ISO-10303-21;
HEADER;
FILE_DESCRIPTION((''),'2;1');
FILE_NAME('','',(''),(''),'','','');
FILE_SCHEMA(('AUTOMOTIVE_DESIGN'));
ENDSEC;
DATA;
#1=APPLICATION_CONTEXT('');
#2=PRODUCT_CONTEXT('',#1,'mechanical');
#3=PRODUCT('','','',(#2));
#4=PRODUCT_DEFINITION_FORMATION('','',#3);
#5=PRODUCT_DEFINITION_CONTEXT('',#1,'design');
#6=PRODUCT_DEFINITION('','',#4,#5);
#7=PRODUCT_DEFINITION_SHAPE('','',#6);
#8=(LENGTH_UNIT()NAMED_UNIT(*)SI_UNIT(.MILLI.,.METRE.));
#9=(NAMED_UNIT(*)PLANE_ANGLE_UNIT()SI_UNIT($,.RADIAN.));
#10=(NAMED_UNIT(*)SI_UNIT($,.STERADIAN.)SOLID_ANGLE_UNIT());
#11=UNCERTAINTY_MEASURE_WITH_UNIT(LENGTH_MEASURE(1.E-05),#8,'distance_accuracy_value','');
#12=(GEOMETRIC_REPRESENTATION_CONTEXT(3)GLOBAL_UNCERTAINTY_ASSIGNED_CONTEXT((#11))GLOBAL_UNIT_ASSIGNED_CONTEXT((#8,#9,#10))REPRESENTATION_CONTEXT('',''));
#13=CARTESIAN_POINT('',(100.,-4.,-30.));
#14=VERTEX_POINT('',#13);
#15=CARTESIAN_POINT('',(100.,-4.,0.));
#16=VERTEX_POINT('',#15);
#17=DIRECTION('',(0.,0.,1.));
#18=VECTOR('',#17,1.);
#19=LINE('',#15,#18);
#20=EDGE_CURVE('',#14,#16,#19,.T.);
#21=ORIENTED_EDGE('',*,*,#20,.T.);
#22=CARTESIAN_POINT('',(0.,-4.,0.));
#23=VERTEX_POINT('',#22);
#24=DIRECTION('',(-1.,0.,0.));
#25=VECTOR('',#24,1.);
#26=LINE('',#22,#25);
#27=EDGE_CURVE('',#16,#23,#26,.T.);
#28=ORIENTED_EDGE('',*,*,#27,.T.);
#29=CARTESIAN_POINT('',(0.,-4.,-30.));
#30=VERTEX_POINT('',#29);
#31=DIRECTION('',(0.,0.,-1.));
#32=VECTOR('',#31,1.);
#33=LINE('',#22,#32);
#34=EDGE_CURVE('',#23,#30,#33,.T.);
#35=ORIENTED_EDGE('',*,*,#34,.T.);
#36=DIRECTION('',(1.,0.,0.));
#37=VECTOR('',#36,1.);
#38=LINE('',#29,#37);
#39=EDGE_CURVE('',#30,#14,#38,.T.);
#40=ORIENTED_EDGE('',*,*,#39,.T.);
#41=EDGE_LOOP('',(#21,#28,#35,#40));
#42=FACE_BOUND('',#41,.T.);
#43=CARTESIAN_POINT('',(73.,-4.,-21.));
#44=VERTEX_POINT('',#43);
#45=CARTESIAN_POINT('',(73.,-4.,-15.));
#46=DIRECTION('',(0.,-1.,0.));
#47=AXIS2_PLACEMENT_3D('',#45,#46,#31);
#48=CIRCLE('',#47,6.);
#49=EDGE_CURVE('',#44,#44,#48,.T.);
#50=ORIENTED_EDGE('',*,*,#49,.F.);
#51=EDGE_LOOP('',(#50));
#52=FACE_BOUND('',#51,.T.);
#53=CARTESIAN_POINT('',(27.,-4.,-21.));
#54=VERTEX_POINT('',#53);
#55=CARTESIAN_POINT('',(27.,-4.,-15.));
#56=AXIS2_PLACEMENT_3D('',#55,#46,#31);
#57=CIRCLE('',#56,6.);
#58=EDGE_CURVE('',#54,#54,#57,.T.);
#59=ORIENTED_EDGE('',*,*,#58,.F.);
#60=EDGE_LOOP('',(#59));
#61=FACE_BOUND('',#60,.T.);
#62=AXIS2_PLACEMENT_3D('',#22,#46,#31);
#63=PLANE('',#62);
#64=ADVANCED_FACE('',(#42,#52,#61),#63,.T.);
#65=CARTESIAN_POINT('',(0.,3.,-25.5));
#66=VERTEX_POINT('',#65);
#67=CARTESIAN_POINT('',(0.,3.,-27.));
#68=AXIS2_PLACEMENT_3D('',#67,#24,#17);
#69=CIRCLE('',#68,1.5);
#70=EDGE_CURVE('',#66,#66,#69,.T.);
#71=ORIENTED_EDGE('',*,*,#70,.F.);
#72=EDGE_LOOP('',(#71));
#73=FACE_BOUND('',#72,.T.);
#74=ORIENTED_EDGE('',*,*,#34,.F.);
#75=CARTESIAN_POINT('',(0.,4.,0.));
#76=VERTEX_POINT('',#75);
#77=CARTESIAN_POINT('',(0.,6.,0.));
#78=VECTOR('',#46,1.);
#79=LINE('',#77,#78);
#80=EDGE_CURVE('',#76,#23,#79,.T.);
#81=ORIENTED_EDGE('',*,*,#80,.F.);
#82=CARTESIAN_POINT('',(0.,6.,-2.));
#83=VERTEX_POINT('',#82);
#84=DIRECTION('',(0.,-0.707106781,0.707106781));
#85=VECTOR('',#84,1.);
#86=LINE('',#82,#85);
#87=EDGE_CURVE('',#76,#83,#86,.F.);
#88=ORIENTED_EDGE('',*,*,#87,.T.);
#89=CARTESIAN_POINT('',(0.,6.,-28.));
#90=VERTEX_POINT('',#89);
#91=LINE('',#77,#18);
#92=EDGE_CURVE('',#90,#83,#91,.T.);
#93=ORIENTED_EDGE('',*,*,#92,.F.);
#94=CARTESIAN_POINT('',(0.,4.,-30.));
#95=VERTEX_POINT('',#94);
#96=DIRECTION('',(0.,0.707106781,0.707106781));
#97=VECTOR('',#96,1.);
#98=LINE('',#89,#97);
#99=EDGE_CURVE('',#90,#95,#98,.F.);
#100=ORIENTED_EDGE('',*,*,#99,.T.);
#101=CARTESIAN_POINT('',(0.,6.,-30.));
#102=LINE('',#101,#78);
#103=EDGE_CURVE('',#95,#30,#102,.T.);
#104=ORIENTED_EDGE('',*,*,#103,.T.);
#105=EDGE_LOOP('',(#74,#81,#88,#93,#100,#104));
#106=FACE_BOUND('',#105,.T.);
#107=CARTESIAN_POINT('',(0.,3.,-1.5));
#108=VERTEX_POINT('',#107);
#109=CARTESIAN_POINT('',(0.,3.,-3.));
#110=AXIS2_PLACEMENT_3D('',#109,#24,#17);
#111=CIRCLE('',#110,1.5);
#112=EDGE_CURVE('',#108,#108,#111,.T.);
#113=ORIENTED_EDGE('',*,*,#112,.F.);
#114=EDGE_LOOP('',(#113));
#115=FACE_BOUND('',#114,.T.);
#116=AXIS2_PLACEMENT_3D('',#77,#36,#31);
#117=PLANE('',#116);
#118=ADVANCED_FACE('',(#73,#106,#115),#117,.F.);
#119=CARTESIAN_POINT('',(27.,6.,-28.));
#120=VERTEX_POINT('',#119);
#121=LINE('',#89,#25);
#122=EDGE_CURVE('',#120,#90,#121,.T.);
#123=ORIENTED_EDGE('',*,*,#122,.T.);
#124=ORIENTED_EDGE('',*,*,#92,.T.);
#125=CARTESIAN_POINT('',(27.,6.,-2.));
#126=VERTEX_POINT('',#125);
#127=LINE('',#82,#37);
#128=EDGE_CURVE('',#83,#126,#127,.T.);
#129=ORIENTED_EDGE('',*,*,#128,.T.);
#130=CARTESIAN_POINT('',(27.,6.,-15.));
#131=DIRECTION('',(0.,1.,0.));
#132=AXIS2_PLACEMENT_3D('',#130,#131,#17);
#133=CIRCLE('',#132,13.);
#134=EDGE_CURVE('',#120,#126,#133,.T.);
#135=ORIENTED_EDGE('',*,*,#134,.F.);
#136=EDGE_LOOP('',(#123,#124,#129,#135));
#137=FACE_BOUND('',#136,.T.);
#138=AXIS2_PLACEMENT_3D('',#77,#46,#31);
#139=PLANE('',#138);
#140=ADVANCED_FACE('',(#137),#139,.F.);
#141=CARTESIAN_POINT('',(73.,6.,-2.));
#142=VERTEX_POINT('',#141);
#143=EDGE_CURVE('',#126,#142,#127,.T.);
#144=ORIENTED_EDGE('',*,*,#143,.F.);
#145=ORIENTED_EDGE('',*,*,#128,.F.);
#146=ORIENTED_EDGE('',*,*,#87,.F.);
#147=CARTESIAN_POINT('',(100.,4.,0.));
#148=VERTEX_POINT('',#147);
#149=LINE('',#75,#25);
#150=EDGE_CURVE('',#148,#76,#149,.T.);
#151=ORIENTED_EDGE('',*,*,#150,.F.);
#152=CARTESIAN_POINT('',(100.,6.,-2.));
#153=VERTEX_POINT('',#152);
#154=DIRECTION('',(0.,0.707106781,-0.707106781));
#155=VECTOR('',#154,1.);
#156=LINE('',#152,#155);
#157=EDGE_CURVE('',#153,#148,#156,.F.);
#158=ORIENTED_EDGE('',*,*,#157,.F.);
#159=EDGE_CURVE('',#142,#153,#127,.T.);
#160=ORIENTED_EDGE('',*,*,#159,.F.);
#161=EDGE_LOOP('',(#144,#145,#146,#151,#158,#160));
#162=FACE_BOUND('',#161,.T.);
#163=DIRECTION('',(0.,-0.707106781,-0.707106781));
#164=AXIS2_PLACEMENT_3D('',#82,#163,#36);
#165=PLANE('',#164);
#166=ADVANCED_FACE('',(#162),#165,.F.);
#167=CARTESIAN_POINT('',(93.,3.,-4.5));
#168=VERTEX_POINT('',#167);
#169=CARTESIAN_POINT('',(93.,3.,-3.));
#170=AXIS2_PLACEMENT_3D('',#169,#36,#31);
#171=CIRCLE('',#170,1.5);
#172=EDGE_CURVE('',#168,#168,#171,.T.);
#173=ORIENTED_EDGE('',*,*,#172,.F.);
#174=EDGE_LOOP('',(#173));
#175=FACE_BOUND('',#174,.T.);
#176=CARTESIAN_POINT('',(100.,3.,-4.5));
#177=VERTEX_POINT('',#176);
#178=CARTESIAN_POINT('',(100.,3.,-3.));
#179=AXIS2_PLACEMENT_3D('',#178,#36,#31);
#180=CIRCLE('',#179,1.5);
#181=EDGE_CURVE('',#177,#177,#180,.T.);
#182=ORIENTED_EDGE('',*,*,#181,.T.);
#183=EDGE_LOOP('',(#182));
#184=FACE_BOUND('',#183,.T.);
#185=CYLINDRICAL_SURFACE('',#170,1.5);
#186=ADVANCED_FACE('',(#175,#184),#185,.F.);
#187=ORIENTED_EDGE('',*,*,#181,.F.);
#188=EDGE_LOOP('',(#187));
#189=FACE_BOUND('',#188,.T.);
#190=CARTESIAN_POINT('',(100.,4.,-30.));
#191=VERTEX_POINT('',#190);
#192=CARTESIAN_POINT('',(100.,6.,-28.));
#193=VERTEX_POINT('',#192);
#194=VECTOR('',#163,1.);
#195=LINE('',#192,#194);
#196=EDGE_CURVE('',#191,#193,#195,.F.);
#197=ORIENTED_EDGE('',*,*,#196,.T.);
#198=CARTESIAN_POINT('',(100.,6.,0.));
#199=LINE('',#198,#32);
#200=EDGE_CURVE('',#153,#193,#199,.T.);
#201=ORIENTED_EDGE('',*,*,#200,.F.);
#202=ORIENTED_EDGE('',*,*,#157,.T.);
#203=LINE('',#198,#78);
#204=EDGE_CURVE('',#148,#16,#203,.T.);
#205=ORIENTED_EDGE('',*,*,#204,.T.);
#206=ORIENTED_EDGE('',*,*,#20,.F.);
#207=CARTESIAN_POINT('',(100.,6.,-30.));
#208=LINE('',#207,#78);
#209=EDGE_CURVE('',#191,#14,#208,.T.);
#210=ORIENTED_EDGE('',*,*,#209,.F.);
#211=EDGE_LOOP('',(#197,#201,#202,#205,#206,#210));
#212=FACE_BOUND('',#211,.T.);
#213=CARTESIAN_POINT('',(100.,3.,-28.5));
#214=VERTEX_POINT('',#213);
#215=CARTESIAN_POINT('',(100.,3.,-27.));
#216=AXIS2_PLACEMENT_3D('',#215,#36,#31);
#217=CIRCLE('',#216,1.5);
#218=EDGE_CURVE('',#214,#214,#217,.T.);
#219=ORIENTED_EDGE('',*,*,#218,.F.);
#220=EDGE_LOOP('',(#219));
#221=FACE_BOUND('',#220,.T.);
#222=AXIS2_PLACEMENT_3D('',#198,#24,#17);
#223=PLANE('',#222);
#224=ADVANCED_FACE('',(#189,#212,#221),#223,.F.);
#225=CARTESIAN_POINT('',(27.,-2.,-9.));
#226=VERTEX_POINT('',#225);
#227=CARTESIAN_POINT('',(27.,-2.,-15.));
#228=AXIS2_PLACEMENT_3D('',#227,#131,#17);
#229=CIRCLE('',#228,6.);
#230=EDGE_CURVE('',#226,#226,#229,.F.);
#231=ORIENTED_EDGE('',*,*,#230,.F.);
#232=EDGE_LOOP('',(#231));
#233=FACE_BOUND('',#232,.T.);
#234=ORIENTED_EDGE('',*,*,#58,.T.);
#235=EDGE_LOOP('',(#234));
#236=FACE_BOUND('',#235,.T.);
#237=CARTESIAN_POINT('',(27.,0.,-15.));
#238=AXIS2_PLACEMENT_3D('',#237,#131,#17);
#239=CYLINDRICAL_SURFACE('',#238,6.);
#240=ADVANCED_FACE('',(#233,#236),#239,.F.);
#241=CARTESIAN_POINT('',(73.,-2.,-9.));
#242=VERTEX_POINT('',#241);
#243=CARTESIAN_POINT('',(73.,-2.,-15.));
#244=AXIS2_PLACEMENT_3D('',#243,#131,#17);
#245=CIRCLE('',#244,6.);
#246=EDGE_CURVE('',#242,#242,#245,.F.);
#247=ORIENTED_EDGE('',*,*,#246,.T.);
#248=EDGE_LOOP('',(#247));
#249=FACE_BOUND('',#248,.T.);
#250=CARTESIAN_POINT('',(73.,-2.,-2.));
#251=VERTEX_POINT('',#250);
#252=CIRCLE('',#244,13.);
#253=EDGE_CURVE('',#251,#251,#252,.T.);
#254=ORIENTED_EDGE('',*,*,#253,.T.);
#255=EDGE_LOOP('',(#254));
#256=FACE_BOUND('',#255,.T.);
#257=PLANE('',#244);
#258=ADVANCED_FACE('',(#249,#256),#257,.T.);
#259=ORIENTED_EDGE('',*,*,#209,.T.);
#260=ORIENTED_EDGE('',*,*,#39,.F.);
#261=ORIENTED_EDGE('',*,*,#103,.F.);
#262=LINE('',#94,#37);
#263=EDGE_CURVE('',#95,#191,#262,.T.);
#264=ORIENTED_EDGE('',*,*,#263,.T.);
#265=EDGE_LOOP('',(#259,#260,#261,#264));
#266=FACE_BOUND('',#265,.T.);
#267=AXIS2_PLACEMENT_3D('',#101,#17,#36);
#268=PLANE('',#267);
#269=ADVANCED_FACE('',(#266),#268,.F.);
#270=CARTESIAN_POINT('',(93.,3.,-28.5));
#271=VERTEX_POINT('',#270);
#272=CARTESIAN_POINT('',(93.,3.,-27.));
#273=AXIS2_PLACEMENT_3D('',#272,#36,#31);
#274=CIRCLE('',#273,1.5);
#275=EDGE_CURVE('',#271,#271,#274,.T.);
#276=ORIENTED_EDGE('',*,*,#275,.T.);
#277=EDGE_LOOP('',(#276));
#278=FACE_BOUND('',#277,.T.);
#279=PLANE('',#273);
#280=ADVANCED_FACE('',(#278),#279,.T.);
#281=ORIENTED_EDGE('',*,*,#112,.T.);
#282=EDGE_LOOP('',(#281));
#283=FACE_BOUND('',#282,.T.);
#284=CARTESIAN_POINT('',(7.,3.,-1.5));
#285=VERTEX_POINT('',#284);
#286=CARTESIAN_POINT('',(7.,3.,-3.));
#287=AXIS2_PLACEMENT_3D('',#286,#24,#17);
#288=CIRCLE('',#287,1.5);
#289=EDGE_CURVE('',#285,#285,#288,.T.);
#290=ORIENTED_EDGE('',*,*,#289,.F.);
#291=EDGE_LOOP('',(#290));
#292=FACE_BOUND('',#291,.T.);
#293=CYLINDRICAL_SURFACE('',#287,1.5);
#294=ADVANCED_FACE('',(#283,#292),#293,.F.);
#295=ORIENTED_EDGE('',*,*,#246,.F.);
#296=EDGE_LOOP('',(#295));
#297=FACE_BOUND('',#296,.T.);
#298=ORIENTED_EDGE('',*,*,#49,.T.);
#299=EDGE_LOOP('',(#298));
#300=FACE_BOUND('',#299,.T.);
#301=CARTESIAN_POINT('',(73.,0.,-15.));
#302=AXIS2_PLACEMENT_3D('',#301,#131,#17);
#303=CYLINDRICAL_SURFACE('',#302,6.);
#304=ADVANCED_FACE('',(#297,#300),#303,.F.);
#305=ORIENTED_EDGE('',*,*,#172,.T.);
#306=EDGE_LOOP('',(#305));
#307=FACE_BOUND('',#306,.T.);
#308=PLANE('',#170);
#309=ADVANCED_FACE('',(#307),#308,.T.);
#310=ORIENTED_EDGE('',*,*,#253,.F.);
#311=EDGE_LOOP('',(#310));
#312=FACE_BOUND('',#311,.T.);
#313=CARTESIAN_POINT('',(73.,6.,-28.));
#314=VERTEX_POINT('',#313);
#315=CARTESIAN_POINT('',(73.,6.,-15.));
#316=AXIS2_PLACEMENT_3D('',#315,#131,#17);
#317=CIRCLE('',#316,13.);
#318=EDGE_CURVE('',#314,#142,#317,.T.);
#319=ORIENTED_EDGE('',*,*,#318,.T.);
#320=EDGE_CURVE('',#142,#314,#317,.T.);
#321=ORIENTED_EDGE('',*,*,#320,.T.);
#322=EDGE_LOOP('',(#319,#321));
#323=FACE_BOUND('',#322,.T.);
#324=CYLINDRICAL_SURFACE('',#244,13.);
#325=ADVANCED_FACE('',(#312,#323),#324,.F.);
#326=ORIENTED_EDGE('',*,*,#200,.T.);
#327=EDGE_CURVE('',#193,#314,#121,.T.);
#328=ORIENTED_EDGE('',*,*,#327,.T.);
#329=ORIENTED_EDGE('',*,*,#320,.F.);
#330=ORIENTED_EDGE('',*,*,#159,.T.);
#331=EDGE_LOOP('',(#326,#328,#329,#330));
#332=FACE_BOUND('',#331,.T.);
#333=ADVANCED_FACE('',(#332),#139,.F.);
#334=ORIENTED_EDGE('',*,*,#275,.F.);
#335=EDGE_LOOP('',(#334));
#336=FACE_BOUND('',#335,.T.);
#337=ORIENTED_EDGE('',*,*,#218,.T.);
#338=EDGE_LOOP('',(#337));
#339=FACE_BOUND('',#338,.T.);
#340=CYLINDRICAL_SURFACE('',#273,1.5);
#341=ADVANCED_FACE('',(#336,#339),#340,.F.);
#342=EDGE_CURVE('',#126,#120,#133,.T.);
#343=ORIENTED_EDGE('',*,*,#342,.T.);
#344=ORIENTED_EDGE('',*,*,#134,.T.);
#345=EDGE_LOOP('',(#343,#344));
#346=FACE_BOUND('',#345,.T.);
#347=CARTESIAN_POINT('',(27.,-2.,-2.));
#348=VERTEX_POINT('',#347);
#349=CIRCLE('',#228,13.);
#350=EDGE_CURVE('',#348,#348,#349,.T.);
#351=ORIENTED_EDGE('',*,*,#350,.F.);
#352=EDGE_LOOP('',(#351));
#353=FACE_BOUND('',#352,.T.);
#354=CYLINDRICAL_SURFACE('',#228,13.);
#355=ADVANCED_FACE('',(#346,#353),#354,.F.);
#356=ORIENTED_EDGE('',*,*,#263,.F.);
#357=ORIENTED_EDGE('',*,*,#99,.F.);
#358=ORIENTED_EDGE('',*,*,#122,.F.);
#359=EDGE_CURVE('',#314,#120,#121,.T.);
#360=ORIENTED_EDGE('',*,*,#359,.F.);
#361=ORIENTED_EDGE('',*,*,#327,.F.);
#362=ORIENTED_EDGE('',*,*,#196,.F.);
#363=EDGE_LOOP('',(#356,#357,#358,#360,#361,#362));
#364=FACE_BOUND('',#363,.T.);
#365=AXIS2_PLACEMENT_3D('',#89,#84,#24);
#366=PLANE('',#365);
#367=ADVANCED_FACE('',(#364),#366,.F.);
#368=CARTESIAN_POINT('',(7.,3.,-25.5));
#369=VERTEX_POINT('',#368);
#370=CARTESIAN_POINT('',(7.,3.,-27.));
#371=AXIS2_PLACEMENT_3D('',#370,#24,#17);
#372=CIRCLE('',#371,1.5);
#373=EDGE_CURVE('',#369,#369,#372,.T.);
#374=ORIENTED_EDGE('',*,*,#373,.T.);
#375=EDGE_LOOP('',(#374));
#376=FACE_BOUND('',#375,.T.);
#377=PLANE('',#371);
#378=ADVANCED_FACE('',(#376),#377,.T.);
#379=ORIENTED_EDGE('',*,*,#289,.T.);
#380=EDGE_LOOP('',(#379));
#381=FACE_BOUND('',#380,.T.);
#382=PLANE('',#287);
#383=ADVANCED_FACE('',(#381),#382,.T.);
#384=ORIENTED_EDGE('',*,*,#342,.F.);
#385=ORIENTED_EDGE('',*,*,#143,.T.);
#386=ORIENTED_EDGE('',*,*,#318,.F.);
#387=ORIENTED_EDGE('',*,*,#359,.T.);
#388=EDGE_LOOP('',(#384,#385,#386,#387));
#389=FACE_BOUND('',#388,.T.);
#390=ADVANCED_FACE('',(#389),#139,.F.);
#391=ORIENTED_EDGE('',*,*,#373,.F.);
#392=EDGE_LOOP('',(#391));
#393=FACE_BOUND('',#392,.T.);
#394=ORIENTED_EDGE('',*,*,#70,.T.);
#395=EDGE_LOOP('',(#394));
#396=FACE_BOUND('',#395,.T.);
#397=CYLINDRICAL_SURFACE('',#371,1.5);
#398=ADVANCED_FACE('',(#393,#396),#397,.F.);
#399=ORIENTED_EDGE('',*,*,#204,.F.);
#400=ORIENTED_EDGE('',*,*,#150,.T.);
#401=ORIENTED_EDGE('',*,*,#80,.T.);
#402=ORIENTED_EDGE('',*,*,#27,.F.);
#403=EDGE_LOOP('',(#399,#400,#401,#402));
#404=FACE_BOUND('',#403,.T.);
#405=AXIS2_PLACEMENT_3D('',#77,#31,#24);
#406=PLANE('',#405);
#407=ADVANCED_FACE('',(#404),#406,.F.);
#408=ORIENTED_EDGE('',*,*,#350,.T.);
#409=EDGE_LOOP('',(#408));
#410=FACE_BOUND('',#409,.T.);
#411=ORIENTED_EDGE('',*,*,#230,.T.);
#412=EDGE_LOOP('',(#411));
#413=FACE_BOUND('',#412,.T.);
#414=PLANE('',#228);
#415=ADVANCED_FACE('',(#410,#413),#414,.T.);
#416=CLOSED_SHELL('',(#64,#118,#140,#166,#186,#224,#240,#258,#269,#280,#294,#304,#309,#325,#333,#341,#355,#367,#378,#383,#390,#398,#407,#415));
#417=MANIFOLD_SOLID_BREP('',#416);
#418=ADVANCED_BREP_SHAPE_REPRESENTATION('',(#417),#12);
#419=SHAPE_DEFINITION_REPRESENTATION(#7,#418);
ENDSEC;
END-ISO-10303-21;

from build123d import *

# Parameters (mm, degrees)
SKETCH1_W           = 100
SKETCH1_H           = 30
BOSS_EXTRUDE1_DEPTH = 6
SKETCH2_R           = 6
CUT_EXTRUDE1_DEPTH  = 105.575331699
CHAMFER1_SIZE       = 2
SKETCH3_R           = 1.5
CUT_EXTRUDE2_DEPTH  = 7
CUT_EXTRUDE3_START  = -7
SKETCH4_R           = 1.5
CUT_EXTRUDE3_DEPTH  = 7
SKETCH5_W           = 100
SKETCH5_H           = 30
SKETCH5_R           = 6
BOSS_EXTRUDE2_DEPTH = 4
SKETCH6_R           = 13
CUT_EXTRUDE4_DEPTH  = 8


with BuildPart() as part:
    # Sketch1 → Boss-Extrude1 (new body)
    with BuildSketch(Plane(origin=(0, 0, 0), x_dir=(1, 0, 0), z_dir=(0, 1, 0))):
        with Locations((50, 15)):
            Rectangle(SKETCH1_W, SKETCH1_H)
    extrude(amount=BOSS_EXTRUDE1_DEPTH)

    # Sketch2 → Cut-Extrude1 (cut, through all)
    with BuildSketch(Plane(origin=(0, 6, 0), x_dir=(1, 0, 0), z_dir=(0, 1, 0))):
        with Locations(Location((27, 15, 0), (0, 0, 270))):
            Circle(SKETCH2_R)
        with Locations(Location((73, 15, 0), (0, 0, 270))):
            Circle(SKETCH2_R)
    extrude(amount=-CUT_EXTRUDE1_DEPTH, mode=Mode.SUBTRACT)

    # Chamfer1
    chamfer1_edges = [part.edges().sort_by_distance(p)[0] for p in [
        (50, 6, -30),
        (50, 6, 0),
    ]]
    chamfer(chamfer1_edges, length=CHAMFER1_SIZE)

    # Sketch3 → Cut-Extrude2 (cut)
    with BuildSketch(Plane(origin=(100, 0, 0), x_dir=(0, 0, -1), z_dir=(1, 0, 0))):
        with Locations((3, 3)):
            Circle(SKETCH3_R)
        with Locations((27, 3)):
            Circle(SKETCH3_R)
    extrude(amount=-CUT_EXTRUDE2_DEPTH, mode=Mode.SUBTRACT)

    # Sketch4 → Cut-Extrude3 (cut)
    with BuildSketch(Plane.ZY.offset(CUT_EXTRUDE3_START)):
        with Locations(Location((-27, 3, 0), (0, 0, 180))):
            Circle(SKETCH4_R)
        with Locations(Location((-3, 3, 0), (0, 0, 180))):
            Circle(SKETCH4_R)
    extrude(amount=CUT_EXTRUDE3_DEPTH, mode=Mode.SUBTRACT)

    # Sketch5 → Boss-Extrude2 (add)
    with BuildSketch(Plane.XZ):
        with Locations((50, -15)):
            Rectangle(SKETCH5_W, SKETCH5_H)
        with Locations(Location((27, -15, 0), (0, 0, 90))):
            Circle(SKETCH5_R, mode=Mode.SUBTRACT)
        with Locations(Location((73, -15, 0), (0, 0, 90))):
            Circle(SKETCH5_R, mode=Mode.SUBTRACT)
    extrude(amount=BOSS_EXTRUDE2_DEPTH)

    # Sketch6 → Cut-Extrude4 (cut)
    with BuildSketch(Plane(origin=(0, 6, 0), x_dir=(1, 0, 0), z_dir=(0, 1, 0))):
        with Locations(Location((27, 15, 0), (0, 0, 270))):
            Circle(SKETCH6_R)
        with Locations(Location((73, 15, 0), (0, 0, 270))):
            Circle(SKETCH6_R)
    extrude(amount=-CUT_EXTRUDE4_DEPTH, mode=Mode.SUBTRACT)


solid = part.part
